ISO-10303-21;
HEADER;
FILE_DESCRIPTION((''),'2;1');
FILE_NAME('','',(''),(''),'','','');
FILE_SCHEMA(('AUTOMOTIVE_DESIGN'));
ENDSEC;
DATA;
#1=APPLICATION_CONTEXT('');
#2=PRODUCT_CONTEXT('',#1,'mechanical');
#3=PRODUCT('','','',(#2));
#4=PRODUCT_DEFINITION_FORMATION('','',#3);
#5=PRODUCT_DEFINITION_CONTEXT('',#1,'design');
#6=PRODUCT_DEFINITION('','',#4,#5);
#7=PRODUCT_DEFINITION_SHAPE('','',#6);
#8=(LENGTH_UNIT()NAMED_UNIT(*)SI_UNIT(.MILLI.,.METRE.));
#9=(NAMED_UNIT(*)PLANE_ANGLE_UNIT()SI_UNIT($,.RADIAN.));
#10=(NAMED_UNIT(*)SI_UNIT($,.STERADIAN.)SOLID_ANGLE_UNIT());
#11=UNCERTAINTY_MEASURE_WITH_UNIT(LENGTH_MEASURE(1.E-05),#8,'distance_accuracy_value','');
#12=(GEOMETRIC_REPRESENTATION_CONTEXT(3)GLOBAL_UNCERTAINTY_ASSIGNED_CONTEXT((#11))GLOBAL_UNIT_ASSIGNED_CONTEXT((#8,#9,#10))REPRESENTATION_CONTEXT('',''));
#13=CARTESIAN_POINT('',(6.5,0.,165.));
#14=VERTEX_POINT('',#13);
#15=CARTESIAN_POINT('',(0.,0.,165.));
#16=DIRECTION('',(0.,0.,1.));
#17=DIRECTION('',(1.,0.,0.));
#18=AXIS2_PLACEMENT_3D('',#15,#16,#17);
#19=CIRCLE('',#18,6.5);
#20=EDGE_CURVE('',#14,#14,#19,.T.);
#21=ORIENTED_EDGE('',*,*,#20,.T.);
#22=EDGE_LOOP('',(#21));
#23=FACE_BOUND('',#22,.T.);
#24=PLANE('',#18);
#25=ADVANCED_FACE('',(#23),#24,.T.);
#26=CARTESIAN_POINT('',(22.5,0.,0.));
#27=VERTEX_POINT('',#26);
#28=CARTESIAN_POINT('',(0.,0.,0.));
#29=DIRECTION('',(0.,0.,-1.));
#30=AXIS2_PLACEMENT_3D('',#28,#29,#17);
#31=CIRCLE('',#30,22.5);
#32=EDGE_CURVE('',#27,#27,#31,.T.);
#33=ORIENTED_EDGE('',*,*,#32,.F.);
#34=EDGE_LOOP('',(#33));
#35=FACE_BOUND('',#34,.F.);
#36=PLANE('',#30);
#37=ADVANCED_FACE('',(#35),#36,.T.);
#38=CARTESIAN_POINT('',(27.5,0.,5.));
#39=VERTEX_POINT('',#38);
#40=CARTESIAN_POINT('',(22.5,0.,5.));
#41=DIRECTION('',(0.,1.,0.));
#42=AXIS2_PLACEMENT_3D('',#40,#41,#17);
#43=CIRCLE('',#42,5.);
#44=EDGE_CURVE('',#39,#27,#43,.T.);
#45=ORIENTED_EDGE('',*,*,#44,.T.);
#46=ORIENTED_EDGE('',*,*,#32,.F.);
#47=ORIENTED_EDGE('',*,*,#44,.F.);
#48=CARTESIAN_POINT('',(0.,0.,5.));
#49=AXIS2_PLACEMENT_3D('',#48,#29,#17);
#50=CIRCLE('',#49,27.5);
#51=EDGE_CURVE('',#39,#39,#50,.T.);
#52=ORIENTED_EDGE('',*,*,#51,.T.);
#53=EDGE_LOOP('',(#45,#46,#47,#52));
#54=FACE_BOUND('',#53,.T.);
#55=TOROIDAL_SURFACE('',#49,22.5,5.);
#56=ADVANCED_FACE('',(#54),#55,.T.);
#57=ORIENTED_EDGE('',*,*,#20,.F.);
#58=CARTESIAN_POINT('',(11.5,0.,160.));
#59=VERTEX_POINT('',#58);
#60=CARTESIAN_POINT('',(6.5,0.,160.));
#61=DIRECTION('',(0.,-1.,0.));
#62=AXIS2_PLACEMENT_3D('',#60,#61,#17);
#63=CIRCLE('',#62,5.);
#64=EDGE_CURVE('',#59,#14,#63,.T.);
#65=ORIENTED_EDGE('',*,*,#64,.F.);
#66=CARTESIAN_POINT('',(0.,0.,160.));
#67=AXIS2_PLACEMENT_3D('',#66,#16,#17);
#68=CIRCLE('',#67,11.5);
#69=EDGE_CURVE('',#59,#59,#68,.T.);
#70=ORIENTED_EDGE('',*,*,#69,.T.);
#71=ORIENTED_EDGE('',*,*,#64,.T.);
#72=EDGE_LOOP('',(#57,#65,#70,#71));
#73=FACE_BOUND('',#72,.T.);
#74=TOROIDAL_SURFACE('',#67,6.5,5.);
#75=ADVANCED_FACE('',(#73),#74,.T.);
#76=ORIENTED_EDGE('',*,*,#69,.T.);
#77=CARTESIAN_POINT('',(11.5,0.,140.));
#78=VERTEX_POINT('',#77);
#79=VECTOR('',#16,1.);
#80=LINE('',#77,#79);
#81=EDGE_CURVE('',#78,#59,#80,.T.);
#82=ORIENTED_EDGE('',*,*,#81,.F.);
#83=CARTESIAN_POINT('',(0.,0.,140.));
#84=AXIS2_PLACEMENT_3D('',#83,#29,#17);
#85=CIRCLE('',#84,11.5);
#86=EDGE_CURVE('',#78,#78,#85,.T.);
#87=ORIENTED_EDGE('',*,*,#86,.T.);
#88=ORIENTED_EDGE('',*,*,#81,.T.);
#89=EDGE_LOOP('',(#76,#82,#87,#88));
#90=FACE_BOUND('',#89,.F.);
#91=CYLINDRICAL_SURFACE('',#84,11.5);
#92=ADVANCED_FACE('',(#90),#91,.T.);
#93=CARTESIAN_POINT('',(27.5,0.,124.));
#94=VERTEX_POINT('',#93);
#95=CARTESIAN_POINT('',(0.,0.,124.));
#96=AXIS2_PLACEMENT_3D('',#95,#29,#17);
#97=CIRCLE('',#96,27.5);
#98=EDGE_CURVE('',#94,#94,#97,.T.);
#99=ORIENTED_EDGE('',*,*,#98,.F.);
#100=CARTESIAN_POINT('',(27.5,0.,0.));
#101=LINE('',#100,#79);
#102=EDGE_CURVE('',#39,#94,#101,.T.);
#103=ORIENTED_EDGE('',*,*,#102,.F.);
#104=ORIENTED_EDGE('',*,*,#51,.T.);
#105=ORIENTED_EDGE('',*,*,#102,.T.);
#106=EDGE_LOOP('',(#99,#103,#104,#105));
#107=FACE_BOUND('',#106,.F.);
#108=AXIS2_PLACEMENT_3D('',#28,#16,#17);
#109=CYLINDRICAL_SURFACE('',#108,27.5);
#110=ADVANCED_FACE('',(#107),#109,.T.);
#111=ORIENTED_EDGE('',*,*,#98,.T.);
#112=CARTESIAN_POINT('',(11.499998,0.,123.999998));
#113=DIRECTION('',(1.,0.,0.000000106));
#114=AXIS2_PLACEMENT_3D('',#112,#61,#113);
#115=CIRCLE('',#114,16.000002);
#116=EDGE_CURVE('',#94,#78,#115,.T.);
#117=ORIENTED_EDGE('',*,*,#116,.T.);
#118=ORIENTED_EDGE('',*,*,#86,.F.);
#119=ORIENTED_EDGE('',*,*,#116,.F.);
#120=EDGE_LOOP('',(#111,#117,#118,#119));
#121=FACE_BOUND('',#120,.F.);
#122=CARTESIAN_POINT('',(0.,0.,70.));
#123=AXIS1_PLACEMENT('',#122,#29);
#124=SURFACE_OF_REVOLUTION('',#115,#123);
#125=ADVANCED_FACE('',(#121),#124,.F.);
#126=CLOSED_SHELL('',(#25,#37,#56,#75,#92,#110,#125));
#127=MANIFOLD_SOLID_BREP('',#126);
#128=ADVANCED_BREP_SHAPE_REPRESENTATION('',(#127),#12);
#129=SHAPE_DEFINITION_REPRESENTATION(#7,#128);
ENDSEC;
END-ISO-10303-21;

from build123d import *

# Parameters (mm, degrees)
F2_R     = 11.5
F3_DEPTH = 25
F4_R     = 5
F5_R     = 5


with BuildPart() as f1:
    # F0 (on Front) → F1 (revolve)
    with BuildSketch(Plane.XZ):
        with BuildLine():
            Line((0, 140), (0, 0))
            Line((0, 0), (27.5, 0))
            Line((27.5, 0), (27.5, 124))
            ThreePointArc((27.5, 124), (22.813708, 135.313708), (11.5, 140))
            Line((11.5, 140), (0, 140))
        make_face()
    revolve(axis=Axis((0, 0, 70), (0, 0, -1)))

    # F2 (on face) → F3 (join)
    with BuildSketch(Plane.XY.offset(140)):
        Circle(F2_R)
    extrude(amount=F3_DEPTH)

    # F4
    f4_edges = [f1.edges().sort_by_distance(p)[0] for p in [
        (-11.5, 0, 165),
    ]]
    fillet(f4_edges, radius=F4_R)

    # F5
    f5_edges = [f1.edges().sort_by_distance(p)[0] for p in [
        (-27.5, 0, 0),
    ]]
    fillet(f5_edges, radius=F5_R)


solid = f1.part
